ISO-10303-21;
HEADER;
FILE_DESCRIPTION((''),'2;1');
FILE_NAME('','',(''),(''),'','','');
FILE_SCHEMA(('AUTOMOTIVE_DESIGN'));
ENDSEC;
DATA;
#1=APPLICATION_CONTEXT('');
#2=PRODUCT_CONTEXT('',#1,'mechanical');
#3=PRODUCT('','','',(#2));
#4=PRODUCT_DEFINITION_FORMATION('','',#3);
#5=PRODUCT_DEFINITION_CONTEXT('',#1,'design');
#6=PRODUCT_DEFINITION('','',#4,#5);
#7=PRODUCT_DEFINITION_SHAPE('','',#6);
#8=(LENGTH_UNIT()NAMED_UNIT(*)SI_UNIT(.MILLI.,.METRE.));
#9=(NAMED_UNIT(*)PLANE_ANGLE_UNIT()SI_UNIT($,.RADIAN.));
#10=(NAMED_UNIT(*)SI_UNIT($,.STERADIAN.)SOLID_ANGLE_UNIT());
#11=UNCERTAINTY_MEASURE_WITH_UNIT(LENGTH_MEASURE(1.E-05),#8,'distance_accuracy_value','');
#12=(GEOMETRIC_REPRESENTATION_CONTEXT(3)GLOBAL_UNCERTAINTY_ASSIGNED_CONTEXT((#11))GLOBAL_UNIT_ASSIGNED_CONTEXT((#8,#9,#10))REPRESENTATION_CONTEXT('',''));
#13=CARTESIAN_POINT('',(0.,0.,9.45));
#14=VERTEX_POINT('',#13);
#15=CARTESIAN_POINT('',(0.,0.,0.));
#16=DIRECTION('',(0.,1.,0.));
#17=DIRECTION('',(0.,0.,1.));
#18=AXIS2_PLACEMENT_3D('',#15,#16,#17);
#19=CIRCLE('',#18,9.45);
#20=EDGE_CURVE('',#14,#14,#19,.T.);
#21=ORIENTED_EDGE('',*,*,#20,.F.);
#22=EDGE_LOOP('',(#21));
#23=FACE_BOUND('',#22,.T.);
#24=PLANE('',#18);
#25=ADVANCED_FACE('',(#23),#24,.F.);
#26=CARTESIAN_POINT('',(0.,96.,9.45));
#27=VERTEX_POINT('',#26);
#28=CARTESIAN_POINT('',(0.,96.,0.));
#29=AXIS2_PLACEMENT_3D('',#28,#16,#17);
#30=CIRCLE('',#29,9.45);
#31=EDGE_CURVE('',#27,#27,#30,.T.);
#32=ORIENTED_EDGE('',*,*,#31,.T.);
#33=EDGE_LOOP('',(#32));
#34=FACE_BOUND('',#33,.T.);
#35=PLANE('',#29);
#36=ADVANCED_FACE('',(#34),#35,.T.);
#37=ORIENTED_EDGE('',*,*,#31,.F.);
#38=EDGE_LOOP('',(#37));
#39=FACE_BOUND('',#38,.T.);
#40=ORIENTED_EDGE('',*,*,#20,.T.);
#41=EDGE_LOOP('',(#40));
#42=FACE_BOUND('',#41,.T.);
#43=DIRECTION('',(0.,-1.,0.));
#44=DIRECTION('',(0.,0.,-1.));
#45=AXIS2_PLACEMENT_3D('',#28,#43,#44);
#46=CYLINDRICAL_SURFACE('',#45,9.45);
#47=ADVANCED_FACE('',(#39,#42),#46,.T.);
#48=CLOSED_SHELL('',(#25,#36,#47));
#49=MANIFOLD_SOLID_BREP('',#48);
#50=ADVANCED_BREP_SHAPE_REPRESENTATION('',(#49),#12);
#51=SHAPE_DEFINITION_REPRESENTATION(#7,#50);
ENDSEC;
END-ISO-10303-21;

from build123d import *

# Parameters (mm, degrees)
SKETCH_1_R      = 9.45
EXTRUDE_1_DEPTH = 96


with BuildPart() as part:
    # 스케치1 → 보스-돌출1 (new body)
    with BuildSketch(Plane(origin=(0, 0, 0), x_dir=(1, 0, 0), z_dir=(0, 1, 0))):
        Circle(SKETCH_1_R)
    extrude(amount=EXTRUDE_1_DEPTH)


solid = part.part
